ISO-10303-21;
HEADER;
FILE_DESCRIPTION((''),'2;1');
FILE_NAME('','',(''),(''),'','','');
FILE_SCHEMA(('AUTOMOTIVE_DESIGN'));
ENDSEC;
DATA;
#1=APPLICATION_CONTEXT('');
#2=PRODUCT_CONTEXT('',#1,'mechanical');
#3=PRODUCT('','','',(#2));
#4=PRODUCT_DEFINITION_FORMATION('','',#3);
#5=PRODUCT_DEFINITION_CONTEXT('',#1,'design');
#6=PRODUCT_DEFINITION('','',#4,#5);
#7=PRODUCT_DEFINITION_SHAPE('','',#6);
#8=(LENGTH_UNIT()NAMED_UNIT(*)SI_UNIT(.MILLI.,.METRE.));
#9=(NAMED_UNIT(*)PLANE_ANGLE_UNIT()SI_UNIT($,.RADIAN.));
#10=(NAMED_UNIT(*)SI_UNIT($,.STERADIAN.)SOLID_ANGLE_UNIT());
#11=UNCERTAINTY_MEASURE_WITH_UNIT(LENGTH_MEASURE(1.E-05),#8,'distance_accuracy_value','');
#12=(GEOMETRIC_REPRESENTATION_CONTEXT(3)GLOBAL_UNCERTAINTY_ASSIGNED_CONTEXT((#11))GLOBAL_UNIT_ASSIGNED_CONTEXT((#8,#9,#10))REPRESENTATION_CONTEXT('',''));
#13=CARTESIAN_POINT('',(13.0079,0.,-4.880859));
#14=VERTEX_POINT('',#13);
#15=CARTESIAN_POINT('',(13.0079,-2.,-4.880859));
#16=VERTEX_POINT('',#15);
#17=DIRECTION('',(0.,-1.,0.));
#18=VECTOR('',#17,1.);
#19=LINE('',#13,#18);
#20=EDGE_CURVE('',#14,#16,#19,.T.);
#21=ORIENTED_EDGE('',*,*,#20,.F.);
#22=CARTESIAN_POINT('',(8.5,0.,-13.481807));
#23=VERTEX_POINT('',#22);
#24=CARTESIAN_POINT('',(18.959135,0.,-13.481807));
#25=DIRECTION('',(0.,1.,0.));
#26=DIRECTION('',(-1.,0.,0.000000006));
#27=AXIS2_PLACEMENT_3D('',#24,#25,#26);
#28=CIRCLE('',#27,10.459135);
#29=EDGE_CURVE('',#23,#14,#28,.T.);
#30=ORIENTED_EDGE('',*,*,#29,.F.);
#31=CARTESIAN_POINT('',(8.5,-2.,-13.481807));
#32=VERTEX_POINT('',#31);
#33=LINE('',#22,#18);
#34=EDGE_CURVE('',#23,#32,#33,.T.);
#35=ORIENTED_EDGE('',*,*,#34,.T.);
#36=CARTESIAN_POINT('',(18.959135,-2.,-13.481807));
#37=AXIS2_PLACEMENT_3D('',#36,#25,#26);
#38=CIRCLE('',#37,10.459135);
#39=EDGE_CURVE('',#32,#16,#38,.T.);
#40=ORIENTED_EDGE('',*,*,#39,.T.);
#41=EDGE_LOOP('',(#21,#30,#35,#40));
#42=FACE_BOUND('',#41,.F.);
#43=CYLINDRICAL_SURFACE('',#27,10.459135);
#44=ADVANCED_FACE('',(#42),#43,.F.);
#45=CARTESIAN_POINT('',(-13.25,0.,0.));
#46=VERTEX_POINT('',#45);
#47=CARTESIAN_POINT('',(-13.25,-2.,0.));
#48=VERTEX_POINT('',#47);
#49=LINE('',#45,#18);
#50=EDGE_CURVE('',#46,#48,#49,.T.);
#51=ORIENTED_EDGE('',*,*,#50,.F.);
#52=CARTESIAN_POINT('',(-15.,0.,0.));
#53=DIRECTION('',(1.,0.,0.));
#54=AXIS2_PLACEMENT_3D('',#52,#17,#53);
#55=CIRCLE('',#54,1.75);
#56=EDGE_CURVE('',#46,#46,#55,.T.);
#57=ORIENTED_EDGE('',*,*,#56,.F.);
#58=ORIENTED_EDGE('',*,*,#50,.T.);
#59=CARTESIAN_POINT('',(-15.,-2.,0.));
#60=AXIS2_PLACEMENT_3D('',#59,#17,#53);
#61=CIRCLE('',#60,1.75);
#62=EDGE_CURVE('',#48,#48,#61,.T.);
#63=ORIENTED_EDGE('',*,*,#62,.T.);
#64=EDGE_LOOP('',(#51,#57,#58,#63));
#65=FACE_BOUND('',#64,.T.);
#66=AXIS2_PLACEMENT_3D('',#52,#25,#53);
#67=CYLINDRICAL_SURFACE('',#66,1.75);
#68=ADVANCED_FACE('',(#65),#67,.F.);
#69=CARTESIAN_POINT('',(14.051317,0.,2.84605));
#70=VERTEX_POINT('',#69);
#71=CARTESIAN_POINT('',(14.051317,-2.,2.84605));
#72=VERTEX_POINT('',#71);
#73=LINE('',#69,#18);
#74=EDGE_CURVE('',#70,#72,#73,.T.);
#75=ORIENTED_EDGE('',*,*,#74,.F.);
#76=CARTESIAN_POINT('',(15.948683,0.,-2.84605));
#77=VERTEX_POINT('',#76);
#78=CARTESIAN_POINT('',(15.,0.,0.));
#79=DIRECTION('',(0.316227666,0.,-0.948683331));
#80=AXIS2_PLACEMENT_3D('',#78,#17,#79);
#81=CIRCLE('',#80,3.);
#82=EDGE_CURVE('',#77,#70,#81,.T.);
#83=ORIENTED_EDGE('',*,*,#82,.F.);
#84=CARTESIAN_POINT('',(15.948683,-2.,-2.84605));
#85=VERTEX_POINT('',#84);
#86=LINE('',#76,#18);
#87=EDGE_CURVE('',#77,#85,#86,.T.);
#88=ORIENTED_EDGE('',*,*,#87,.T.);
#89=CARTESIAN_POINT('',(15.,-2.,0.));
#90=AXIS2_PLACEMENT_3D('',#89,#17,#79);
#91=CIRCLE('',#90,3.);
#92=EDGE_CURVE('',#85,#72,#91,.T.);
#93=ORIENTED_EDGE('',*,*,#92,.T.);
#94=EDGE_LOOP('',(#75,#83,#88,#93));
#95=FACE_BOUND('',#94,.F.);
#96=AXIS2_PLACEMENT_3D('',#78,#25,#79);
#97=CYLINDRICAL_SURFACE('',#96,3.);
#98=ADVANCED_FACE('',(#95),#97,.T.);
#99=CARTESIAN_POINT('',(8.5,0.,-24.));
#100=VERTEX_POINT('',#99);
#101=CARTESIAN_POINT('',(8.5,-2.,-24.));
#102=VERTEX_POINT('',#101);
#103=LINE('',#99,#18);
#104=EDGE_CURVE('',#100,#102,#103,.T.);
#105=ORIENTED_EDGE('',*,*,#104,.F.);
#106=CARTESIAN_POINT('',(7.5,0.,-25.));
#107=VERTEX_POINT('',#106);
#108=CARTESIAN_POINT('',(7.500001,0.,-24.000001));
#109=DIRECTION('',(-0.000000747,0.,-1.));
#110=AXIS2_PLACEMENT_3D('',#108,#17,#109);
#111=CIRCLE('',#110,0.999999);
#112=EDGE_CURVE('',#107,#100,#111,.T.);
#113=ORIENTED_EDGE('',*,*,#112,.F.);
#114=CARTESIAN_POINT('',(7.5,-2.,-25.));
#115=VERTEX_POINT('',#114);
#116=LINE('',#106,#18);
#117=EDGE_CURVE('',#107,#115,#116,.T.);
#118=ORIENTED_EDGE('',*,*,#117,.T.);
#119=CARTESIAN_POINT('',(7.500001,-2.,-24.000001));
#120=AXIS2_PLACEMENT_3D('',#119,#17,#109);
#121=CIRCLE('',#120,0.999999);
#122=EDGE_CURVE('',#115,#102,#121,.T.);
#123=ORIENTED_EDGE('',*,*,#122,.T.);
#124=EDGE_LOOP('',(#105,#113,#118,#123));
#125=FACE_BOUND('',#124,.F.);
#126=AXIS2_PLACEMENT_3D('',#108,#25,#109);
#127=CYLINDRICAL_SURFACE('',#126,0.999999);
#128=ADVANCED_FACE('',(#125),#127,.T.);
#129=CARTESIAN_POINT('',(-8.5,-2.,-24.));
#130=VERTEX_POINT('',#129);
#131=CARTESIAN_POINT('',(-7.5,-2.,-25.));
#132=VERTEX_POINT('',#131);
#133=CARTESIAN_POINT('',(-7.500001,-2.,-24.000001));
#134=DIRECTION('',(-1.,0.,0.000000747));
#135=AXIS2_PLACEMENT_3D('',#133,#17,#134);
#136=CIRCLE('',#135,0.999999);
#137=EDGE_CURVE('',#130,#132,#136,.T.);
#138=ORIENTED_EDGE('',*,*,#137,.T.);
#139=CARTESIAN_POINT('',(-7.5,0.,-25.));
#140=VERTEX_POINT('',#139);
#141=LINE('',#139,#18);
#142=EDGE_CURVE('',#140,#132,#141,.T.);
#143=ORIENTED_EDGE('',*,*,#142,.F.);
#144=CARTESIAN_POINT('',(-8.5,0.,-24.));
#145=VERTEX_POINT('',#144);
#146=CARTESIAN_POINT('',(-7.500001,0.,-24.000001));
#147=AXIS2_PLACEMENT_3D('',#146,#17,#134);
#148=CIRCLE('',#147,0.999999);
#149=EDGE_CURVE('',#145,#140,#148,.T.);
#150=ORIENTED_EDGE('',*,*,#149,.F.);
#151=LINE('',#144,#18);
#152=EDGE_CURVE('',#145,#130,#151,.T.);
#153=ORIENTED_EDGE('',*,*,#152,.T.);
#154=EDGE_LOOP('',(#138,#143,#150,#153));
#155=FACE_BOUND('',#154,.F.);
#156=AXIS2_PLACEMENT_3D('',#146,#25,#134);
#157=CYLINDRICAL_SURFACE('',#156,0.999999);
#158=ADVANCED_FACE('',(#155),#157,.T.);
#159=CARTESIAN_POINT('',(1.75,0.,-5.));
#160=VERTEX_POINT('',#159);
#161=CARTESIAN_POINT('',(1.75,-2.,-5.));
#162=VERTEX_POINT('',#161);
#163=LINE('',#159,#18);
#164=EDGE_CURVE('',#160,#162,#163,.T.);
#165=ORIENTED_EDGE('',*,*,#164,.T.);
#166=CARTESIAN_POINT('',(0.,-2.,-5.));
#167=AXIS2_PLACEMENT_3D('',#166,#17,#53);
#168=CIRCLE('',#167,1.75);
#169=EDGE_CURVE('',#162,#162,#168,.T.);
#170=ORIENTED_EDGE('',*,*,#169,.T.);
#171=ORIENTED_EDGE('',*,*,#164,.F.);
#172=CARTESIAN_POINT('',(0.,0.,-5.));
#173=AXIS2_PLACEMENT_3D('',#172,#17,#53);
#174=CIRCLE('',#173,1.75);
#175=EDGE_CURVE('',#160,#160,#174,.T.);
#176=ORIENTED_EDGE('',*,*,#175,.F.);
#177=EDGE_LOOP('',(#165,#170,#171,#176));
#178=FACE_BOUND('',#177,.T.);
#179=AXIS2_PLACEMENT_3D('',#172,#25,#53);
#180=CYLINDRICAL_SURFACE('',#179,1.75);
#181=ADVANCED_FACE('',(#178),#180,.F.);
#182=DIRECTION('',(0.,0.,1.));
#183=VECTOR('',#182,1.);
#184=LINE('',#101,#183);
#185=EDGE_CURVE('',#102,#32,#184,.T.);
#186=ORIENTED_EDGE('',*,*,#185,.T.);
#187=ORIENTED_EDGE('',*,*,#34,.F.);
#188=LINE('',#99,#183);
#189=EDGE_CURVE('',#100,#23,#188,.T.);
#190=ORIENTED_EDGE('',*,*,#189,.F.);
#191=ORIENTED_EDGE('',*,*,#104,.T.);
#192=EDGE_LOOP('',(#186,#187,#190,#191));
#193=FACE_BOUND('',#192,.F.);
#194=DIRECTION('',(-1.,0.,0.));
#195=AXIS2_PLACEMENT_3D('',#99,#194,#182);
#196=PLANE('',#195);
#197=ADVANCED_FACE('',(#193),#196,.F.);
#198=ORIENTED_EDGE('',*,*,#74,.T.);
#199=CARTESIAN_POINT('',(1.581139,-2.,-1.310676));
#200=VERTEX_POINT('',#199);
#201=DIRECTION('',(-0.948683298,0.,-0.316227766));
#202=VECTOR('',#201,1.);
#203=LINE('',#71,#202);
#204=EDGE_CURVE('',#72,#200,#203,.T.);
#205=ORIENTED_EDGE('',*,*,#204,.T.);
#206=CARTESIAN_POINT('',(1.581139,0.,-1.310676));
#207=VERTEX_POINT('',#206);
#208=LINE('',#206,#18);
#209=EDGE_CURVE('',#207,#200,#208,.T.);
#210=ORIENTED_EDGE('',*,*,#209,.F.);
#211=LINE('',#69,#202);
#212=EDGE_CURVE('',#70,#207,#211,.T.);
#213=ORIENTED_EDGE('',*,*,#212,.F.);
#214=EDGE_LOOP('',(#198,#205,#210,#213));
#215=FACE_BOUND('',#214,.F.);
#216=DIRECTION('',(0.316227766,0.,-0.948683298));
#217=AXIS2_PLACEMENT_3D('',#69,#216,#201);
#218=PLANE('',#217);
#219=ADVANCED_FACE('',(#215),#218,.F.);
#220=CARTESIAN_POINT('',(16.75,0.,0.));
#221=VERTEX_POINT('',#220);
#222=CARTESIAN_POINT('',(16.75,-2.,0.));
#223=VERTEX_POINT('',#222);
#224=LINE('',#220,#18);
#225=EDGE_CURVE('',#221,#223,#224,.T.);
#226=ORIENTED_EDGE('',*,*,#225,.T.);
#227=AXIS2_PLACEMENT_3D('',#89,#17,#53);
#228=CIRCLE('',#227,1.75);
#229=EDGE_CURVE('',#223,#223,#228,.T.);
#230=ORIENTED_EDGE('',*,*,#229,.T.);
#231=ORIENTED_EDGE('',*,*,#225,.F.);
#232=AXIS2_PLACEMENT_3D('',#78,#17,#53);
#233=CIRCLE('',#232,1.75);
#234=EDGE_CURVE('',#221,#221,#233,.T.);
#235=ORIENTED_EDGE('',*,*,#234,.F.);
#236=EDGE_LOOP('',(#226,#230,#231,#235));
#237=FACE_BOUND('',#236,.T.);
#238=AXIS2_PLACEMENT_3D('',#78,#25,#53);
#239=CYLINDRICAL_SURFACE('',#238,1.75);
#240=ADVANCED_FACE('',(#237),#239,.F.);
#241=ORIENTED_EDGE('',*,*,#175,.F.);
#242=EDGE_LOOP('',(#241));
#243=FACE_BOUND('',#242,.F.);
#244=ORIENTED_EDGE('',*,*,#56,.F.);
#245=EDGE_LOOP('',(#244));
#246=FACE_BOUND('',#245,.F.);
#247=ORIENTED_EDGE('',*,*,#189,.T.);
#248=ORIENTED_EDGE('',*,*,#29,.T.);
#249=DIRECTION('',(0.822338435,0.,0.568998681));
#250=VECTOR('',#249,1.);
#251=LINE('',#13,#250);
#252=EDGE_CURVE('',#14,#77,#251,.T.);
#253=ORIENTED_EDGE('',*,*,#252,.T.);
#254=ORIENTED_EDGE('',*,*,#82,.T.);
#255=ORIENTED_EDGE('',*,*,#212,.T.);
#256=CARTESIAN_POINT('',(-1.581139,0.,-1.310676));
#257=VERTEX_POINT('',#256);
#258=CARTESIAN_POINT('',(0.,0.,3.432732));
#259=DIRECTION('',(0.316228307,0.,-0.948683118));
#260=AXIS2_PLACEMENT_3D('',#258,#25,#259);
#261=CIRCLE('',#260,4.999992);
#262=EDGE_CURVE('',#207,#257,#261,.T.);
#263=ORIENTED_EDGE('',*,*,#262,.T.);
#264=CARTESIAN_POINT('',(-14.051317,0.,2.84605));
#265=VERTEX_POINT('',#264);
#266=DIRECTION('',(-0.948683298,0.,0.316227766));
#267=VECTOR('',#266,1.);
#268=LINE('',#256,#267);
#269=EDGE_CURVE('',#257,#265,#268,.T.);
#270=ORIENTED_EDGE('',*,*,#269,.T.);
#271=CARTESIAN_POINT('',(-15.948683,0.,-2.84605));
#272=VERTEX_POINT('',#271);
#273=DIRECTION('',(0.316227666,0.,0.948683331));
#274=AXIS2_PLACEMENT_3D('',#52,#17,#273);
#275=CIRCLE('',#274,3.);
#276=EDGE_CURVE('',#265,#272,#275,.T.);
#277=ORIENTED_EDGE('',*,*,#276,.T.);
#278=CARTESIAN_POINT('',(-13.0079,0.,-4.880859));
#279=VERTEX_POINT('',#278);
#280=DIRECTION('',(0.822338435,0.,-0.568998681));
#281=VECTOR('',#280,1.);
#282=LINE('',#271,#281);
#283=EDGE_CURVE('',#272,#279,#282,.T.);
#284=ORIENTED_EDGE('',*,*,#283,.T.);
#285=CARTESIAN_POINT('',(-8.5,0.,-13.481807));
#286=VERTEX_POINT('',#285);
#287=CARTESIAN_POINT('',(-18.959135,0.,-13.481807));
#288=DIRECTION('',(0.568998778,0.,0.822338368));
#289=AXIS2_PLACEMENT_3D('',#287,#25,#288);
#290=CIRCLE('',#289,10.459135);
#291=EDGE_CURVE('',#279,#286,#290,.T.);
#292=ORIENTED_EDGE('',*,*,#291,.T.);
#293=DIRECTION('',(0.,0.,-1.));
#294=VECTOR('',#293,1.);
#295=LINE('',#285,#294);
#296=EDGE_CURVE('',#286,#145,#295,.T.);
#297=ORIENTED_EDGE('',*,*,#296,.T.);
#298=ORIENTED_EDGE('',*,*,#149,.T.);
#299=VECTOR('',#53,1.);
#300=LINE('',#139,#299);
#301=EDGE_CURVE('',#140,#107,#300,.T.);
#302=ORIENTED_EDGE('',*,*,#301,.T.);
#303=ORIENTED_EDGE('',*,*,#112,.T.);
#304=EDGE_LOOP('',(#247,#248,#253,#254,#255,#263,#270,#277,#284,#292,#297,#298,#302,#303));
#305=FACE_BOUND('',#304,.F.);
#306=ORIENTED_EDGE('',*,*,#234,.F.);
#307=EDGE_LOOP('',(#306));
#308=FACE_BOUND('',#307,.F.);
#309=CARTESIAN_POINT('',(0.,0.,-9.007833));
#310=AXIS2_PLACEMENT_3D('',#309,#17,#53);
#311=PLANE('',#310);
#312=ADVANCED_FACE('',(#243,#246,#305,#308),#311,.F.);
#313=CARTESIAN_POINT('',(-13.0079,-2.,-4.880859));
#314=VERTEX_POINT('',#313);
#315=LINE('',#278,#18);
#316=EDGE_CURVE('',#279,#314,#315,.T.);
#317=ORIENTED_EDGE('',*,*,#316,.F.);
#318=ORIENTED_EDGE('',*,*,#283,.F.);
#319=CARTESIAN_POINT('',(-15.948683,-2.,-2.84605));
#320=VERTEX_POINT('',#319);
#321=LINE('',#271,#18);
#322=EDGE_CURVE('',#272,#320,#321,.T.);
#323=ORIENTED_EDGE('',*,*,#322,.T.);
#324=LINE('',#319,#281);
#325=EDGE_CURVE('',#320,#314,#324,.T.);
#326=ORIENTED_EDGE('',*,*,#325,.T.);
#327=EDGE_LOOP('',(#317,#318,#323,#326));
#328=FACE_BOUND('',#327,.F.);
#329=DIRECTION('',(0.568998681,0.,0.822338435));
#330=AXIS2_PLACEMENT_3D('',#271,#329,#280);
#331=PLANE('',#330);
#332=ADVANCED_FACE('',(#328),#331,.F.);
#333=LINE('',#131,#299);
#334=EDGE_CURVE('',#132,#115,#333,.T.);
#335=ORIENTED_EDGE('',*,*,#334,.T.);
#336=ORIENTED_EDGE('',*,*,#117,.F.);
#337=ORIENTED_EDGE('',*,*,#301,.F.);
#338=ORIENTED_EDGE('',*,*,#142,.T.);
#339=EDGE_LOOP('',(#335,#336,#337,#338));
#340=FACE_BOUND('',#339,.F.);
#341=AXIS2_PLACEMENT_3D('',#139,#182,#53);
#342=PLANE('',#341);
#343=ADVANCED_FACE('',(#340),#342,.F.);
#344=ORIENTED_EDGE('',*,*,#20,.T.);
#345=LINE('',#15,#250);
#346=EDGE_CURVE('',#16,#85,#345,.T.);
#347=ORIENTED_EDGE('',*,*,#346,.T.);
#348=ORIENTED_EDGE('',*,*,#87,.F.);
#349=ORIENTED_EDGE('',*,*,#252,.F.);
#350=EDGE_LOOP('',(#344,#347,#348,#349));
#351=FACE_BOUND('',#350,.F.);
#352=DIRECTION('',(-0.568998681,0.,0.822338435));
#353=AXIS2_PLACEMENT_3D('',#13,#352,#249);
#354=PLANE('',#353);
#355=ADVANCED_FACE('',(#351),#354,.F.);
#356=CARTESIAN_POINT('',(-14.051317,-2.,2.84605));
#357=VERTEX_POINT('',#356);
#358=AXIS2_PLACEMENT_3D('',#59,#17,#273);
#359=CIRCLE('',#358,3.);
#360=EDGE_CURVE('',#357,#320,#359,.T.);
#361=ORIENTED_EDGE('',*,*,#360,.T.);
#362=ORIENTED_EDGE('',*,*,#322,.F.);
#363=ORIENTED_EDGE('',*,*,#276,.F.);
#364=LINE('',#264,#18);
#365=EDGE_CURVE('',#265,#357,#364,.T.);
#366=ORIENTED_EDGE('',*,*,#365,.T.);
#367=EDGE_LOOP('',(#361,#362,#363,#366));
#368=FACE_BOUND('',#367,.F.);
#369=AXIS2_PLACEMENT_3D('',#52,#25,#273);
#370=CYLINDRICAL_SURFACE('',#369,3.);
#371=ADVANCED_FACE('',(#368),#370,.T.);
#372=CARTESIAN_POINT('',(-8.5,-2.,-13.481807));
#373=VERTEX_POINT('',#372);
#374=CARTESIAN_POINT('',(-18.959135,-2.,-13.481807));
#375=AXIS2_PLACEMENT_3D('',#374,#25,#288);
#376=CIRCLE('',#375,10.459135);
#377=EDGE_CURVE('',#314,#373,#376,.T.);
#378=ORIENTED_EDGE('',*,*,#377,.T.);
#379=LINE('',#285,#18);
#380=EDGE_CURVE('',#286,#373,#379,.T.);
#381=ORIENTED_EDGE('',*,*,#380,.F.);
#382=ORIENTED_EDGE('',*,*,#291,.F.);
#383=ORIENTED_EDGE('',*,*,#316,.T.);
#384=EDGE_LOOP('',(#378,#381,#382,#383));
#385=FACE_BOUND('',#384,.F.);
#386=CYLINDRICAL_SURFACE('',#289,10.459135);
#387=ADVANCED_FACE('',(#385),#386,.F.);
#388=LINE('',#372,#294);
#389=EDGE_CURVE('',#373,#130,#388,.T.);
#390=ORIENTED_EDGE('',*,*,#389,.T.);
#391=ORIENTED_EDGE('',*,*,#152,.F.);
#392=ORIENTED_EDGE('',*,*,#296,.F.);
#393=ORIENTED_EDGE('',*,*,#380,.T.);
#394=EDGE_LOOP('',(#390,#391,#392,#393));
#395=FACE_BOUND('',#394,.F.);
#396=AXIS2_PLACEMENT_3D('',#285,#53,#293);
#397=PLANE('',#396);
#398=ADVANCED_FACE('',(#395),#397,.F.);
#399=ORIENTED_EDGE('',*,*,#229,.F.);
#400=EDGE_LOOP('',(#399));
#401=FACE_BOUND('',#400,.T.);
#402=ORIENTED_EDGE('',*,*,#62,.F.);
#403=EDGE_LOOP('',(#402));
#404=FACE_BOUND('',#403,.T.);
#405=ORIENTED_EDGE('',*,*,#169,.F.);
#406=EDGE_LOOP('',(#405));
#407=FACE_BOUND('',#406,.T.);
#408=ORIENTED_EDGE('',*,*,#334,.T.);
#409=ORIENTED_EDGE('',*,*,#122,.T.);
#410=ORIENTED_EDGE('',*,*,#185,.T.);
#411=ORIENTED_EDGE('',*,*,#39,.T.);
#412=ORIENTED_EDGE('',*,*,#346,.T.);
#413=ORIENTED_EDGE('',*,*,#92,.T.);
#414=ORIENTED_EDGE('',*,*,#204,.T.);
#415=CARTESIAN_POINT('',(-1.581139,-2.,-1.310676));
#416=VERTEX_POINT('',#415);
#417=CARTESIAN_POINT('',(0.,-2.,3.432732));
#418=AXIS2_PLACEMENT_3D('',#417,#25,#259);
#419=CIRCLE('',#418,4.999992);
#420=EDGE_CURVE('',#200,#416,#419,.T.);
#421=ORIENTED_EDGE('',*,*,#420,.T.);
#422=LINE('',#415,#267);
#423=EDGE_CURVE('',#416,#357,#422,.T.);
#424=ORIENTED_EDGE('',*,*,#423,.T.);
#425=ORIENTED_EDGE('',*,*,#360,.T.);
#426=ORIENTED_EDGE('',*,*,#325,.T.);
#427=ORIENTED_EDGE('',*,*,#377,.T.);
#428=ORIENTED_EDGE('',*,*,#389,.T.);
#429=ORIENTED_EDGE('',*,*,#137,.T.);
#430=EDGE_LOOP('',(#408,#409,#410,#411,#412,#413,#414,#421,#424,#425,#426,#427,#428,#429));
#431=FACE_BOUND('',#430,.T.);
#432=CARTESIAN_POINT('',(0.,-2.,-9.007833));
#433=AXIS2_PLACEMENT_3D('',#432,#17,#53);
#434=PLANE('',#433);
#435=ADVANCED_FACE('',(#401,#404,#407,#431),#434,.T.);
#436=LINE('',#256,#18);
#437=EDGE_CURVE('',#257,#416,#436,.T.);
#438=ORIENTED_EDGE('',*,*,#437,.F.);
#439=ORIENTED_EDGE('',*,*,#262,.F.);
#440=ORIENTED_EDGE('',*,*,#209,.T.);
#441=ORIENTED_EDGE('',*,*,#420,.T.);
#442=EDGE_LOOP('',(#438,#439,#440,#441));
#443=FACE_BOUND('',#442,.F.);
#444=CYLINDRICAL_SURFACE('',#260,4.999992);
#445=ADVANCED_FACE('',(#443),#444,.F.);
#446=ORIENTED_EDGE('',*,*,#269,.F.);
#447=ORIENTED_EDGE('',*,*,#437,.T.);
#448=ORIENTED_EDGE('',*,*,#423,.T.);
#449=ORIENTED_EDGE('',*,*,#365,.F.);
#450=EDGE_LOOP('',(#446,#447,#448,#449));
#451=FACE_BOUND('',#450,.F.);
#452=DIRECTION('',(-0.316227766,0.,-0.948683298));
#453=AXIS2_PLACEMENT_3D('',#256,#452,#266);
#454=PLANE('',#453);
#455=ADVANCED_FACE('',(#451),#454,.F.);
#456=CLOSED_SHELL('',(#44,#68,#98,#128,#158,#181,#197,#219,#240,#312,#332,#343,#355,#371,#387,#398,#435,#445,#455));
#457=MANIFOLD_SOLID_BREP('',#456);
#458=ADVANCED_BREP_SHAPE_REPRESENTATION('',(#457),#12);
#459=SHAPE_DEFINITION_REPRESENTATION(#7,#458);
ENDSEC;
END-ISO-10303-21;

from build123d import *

# Parameters (mm, degrees)
F0_R     = 1.75
F1_DEPTH = 2


with BuildPart() as f1:
    # F0 (on Front) → F1 (new body)
    with BuildSketch(Plane.XZ):
        with BuildLine():
            Line((13.0079, -4.880859), (15.948683, -2.84605))
            ThreePointArc((15.948683, -2.84605), (17.84605, 0.948683), (14.051317, 2.84605))
            Line((14.051317, 2.84605), (1.581139, -1.310676))
            ThreePointArc((1.581139, -1.310676), (0, -1.56726), (-1.581139, -1.310676))
            Line((-1.581139, -1.310676), (-14.051317, 2.84605))
            ThreePointArc((-14.051317, 2.84605), (-17.84605, 0.948683), (-15.948683, -2.84605))
            Line((-15.948683, -2.84605), (-13.0079, -4.880859))
            ThreePointArc((-13.0079, -4.880859), (-9.695273, -8.626463), (-8.5, -13.481807))
            Line((-8.5, -13.481807), (-8.5, -24))
            ThreePointArc((-8.5, -24), (-8.207107, -24.707107), (-7.5, -25))
            Line((-7.5, -25), (0, -25))
            Line((0, -25), (7.5, -25))
            ThreePointArc((7.5, -25), (8.207107, -24.707107), (8.5, -24))
            Line((8.5, -24), (8.5, -13.481807))
            ThreePointArc((8.5, -13.481807), (9.695273, -8.626463), (13.0079, -4.880859))
        make_face()
        with Locations((-15, 0)):
            Circle(F0_R, mode=Mode.SUBTRACT)
        with Locations((0, -5)):
            Circle(F0_R, mode=Mode.SUBTRACT)
        with Locations((15, 0)):
            Circle(F0_R, mode=Mode.SUBTRACT)
    extrude(amount=F1_DEPTH)


solid = f1.part
